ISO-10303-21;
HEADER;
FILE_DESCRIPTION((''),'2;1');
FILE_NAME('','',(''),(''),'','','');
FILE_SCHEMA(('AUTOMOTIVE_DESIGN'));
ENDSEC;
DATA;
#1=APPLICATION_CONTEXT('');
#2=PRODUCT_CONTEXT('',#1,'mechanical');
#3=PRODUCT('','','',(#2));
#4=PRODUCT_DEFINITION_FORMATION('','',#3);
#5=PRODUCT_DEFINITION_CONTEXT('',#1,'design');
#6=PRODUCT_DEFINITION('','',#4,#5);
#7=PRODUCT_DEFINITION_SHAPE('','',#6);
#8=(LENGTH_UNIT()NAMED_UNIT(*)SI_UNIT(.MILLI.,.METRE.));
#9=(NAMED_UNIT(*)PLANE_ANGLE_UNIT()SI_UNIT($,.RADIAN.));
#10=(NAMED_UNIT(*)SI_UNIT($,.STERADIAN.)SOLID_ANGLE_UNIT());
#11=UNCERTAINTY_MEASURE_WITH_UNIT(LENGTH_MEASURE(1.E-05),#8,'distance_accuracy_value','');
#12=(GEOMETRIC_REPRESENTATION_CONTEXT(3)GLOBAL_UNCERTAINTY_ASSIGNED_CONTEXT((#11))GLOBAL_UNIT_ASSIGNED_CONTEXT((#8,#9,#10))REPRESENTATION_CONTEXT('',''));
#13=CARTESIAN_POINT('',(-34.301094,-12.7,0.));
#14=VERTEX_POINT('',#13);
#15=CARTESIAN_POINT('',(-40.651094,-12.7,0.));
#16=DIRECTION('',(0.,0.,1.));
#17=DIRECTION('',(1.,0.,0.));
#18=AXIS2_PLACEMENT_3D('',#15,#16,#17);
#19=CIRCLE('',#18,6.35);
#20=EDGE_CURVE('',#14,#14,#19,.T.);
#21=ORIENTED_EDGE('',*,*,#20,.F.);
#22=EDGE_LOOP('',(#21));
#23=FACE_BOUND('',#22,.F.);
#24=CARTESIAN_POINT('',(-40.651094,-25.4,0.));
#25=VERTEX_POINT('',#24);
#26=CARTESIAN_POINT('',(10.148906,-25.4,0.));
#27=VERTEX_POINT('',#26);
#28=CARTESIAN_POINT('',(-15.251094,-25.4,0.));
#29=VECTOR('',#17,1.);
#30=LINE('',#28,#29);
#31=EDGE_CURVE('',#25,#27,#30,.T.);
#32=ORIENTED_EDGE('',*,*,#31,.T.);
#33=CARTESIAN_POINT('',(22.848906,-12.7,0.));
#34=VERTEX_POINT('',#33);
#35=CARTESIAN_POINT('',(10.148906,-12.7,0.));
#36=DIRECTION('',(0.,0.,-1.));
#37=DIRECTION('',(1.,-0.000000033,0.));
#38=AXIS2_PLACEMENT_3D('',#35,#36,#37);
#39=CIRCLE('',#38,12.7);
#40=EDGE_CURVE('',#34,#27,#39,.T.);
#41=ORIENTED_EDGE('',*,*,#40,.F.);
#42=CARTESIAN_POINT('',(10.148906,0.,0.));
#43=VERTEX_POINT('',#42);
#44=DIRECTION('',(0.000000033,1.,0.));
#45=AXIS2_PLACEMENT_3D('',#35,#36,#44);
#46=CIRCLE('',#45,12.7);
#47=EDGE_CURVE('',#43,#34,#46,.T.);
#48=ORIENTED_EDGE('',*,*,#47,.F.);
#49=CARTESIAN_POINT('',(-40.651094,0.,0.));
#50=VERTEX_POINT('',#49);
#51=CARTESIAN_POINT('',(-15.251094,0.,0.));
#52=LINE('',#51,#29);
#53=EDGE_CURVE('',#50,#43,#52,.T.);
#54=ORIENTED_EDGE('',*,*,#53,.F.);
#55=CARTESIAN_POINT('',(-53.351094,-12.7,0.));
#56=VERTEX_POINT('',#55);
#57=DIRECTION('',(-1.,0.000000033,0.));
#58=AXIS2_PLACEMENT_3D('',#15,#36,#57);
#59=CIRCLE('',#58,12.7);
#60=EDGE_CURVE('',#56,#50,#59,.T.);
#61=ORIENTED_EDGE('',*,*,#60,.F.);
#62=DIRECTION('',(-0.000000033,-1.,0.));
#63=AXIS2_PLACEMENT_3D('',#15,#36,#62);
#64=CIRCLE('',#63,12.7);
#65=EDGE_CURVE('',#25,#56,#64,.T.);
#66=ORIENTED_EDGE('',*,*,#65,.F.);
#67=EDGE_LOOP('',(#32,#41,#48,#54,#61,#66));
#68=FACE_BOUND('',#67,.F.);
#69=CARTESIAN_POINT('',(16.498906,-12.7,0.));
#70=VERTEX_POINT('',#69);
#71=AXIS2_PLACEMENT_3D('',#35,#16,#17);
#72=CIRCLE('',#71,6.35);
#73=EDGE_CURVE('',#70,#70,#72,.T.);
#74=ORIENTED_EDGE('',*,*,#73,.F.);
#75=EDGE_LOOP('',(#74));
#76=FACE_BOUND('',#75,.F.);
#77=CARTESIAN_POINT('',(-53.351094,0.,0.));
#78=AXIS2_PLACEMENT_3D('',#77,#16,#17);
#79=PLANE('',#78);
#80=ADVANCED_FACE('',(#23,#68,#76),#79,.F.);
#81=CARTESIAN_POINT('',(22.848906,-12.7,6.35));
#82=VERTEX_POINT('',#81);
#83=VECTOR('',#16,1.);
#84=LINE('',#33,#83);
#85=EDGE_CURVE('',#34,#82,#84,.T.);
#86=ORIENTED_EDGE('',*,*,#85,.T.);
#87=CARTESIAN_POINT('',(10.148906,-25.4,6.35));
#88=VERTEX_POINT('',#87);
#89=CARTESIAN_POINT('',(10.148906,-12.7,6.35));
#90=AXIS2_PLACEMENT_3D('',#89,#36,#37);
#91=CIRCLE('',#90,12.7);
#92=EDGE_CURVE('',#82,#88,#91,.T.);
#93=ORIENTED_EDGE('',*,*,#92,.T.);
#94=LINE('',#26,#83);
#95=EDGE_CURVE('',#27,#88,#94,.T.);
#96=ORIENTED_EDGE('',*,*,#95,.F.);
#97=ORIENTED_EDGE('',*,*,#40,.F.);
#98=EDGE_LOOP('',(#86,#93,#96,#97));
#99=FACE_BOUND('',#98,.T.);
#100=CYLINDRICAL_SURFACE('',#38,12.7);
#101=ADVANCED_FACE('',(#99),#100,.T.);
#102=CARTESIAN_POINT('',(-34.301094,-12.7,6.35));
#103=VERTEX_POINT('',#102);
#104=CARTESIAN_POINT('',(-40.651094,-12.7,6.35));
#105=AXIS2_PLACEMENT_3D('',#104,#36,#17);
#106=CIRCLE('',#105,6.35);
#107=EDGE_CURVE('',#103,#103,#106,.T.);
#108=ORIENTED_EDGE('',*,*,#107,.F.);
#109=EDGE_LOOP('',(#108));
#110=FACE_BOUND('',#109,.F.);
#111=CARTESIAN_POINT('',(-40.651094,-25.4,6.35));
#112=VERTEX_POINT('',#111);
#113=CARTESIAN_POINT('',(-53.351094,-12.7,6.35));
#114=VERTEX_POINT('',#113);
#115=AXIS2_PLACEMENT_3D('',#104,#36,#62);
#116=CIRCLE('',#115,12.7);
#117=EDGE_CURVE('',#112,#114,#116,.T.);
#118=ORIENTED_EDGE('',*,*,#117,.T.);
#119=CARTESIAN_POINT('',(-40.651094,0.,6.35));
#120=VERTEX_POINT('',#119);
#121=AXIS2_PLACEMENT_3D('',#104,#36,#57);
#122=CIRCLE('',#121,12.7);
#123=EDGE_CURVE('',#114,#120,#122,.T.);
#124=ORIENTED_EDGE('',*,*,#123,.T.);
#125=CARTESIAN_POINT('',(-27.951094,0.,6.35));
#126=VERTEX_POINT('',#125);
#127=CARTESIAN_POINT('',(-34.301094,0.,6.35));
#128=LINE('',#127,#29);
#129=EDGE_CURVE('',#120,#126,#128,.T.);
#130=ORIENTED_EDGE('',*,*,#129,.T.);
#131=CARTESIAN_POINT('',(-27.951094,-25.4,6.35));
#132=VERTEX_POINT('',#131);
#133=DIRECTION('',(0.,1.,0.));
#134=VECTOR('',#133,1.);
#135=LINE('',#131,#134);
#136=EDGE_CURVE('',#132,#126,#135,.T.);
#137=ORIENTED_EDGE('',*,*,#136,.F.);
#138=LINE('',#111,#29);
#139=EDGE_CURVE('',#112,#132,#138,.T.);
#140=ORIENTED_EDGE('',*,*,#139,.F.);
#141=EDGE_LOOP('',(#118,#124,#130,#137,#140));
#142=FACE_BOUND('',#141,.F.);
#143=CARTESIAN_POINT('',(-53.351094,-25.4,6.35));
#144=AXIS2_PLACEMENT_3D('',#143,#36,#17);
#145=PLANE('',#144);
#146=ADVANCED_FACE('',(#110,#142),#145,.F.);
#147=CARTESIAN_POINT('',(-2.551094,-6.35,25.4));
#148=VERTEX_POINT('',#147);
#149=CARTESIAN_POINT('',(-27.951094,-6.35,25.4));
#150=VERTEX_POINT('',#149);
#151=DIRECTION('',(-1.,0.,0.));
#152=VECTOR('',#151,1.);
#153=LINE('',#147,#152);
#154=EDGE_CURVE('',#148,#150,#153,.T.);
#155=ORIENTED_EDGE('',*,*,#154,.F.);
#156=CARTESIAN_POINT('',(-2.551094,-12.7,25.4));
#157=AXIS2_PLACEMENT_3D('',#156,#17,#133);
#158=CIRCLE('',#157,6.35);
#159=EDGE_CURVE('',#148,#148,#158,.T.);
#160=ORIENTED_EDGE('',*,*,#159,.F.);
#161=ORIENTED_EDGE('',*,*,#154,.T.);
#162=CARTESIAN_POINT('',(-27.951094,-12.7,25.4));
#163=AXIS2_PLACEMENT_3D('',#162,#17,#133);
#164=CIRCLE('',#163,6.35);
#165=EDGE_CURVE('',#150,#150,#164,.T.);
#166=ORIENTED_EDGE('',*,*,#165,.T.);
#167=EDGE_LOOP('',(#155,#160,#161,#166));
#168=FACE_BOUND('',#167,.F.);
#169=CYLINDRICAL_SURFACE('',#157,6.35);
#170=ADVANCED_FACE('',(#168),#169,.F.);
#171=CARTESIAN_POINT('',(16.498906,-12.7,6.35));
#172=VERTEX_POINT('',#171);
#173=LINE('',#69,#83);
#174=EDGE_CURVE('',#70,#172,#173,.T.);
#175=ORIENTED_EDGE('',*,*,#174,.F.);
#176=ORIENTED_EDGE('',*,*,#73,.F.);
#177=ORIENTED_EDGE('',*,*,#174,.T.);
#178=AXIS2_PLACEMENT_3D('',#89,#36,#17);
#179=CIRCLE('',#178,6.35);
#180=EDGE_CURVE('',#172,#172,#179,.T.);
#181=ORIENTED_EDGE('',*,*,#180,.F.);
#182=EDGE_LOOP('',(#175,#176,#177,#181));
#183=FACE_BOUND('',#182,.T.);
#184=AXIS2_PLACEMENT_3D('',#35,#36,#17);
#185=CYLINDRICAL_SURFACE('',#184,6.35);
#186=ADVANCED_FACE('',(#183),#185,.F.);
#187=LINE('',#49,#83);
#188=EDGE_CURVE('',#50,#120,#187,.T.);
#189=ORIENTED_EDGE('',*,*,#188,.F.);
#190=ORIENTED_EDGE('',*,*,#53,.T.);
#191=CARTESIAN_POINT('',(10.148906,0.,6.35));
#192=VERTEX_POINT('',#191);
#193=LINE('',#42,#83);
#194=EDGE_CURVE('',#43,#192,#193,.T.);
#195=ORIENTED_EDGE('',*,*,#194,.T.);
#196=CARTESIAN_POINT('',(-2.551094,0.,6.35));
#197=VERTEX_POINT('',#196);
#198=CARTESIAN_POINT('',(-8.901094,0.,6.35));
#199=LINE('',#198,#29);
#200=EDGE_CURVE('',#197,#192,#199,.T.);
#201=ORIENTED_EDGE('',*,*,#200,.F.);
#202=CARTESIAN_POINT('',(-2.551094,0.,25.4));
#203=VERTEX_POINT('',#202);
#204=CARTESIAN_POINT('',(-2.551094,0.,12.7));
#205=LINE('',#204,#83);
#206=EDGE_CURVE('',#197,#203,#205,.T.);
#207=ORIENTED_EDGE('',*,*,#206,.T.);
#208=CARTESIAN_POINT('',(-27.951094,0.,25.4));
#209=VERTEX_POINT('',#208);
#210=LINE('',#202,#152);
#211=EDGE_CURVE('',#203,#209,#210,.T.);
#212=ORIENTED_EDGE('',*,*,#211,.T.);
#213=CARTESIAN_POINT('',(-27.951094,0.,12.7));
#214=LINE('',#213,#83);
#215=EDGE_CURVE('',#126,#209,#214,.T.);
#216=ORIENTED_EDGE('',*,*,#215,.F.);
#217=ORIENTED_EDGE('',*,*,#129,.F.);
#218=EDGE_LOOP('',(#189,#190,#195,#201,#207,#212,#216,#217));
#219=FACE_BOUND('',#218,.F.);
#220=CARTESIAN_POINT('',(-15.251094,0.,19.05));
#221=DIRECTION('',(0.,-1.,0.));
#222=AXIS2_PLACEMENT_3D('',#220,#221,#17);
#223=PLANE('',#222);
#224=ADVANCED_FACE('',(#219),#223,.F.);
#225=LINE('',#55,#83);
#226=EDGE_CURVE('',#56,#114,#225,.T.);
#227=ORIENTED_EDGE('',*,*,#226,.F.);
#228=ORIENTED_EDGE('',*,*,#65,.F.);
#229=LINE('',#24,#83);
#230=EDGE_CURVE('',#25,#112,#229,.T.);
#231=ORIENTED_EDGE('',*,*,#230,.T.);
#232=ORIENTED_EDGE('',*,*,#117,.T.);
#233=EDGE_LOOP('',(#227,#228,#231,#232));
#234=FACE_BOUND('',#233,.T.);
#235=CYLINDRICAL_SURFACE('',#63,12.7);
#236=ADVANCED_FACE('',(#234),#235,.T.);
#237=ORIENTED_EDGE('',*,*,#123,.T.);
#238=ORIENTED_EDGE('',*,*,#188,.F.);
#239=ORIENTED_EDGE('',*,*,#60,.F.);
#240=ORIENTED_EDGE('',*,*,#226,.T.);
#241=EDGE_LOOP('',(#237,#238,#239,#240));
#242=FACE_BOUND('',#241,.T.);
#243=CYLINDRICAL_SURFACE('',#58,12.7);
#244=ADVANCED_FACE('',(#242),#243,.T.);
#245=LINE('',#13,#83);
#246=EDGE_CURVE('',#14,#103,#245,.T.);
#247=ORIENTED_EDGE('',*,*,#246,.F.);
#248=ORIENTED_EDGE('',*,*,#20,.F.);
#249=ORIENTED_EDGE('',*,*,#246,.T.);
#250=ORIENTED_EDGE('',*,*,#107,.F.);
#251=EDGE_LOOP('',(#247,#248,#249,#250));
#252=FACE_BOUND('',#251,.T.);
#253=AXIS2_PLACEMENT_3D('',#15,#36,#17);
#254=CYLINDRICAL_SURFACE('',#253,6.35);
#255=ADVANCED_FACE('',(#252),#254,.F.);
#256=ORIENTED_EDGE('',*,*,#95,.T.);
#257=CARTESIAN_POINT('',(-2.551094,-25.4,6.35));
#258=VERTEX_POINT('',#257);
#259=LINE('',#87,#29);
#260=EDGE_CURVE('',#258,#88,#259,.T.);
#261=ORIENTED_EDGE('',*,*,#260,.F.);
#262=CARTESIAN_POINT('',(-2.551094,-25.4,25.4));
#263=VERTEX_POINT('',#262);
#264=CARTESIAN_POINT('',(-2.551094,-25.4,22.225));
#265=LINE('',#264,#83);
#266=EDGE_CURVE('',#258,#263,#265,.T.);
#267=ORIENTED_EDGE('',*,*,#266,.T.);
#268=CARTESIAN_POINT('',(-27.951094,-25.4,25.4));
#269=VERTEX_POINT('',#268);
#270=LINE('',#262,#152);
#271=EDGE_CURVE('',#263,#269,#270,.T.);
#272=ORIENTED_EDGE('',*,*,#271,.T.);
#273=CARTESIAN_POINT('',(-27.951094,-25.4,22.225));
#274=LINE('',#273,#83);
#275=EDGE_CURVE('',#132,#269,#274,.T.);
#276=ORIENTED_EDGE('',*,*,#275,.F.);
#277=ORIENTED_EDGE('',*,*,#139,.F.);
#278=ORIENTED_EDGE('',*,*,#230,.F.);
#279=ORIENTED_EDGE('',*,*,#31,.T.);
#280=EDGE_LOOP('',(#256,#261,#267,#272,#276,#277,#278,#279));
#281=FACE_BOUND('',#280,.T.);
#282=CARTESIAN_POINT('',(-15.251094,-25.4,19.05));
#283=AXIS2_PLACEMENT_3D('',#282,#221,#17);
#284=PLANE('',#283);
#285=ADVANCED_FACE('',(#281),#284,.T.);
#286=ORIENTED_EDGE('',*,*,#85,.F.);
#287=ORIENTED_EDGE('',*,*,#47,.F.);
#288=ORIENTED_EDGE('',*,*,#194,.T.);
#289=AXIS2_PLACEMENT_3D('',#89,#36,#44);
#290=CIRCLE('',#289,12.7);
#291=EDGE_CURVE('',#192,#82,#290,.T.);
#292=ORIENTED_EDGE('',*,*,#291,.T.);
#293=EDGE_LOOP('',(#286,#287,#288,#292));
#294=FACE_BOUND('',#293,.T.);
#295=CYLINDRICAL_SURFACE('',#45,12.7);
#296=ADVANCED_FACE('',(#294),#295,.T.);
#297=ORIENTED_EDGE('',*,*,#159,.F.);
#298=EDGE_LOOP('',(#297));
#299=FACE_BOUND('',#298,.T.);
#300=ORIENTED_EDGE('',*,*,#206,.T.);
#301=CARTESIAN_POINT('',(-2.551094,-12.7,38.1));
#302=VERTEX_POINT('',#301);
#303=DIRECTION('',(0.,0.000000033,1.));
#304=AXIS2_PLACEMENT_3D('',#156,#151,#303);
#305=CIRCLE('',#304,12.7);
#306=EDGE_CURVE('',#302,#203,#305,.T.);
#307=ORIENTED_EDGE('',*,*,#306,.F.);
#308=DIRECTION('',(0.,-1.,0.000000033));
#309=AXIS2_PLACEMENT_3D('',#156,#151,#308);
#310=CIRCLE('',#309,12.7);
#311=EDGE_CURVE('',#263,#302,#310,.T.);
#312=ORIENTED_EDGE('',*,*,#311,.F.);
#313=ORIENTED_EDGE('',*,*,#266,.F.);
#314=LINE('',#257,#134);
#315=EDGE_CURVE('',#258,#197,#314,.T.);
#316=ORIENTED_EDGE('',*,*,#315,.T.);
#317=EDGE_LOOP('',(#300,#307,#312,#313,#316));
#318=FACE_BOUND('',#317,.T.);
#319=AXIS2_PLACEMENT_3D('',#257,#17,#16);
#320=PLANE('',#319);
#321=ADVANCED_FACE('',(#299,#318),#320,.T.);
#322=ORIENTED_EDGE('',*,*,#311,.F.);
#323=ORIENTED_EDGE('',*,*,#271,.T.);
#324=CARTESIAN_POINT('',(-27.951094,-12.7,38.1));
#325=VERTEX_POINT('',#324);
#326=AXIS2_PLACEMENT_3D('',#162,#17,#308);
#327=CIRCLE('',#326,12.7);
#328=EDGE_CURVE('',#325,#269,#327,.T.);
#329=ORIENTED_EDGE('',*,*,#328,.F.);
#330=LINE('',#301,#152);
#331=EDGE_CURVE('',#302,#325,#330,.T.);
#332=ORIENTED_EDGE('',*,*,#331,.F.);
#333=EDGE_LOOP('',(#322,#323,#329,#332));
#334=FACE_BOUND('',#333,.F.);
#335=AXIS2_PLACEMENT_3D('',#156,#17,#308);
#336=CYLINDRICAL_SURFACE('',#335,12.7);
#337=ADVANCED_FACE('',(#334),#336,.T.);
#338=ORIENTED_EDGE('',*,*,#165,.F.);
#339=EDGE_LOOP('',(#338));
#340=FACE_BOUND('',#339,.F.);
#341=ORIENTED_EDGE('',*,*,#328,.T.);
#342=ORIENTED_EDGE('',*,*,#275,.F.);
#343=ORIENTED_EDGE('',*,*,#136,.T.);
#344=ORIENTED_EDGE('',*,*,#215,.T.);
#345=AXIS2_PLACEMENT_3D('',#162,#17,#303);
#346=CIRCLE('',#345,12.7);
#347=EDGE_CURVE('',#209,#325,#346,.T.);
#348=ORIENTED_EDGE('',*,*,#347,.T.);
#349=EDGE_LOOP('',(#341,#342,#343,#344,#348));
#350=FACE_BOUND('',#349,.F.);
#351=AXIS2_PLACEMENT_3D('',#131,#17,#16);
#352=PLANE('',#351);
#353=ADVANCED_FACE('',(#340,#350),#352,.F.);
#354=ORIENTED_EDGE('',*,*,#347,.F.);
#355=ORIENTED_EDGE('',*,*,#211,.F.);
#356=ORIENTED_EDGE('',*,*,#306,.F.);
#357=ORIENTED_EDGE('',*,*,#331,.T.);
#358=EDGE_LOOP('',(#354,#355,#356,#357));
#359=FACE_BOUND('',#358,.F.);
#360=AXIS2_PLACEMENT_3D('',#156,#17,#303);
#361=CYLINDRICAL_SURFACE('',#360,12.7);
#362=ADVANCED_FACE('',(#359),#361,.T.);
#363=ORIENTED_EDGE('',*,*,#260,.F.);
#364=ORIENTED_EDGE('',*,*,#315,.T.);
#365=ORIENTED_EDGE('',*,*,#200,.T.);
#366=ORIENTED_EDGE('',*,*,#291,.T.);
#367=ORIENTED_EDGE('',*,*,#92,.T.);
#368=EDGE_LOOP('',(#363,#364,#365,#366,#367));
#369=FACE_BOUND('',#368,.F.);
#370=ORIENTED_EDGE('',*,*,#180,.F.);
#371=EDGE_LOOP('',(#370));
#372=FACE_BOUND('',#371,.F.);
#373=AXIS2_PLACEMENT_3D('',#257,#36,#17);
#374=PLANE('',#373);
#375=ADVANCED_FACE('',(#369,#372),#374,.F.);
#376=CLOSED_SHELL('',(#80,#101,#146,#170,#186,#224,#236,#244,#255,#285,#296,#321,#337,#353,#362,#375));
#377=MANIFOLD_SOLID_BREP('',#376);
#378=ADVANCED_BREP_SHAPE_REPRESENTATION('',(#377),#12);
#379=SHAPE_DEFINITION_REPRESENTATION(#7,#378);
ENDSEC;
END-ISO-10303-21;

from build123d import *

# Parameters (mm, degrees)
F0_W     = 76.2
F0_H     = 38.1
F1_DEPTH = 25.4
F2_W     = 25.4
F2_H     = 31.75
F3_DEPTH = 31.75
F4_R     = 6.35
F5_DEPTH = 25.4
F6_R     = 6.35
F7_DEPTH = 31.75


with BuildPart() as f1:
    # F0 (on Front) → F1 (new body)
    with BuildSketch(Plane.XZ):
        with Locations((-15.251094, 19.05)):
            Rectangle(F0_W, F0_H)
    extrude(amount=F1_DEPTH)

    # F2 (on face) → F3 (cut)
    with BuildSketch(Plane.XZ.offset(25.4)):
        with Locations((-40.651094, 22.225)):
            Rectangle(F2_W, F2_H)
        with Locations((10.148906, 22.225)):
            Rectangle(F2_W, F2_H)
    extrude(amount=-F3_DEPTH, mode=Mode.SUBTRACT)

    # F4 (on Top) → F5 (cut)
    with BuildSketch(Plane.XY):
        with Locations((10.148906, -12.7)):
            Circle(F4_R)
        with Locations((-40.651094, -12.7)):
            Circle(F4_R)
        with BuildLine():
            ThreePointArc((-40.651094, -25.4), (-49.63135, -21.680256), (-53.351094, -12.7))
            Line((-53.351094, -12.7), (-53.351094, -25.535107))
            Line((-53.351094, -25.535107), (-40.651094, -25.4))
        make_face()
        with BuildLine():
            ThreePointArc((-53.351094, -12.7), (-49.63135, -3.719744), (-40.651094, 0))
            Line((-40.651094, 0), (-53.351094, 0))
            Line((-53.351094, 0), (-53.351094, -12.7))
        make_face()
        with BuildLine():
            Line((22.848906, -25.4), (22.848906, -12.7))
            ThreePointArc((22.848906, -12.7), (19.129162, -21.680256), (10.148906, -25.4))
            Line((10.148906, -25.4), (22.848906, -25.4))
        make_face()
        with BuildLine():
            ThreePointArc((10.148906, 0), (19.129162, -3.719744), (22.848906, -12.7))
            Line((22.848906, -12.7), (22.848906, 0))
            Line((22.848906, 0), (10.148906, 0))
        make_face()
    extrude(amount=F5_DEPTH, mode=Mode.SUBTRACT)

    # F6 (on face) → F7 (cut)
    with BuildSketch(Plane.YZ.offset(-2.551094)):
        with Locations((-12.7, 25.4)):
            Circle(F6_R)
        with BuildLine():
            Line((0, 38.1), (-12.7, 38.1))
            ThreePointArc((-12.7, 38.1), (-3.719744, 34.380256), (0, 25.4))
            Line((0, 25.4), (0, 38.1))
        make_face()
        with BuildLine():
            ThreePointArc((-25.4, 25.4), (-21.680256, 34.380256), (-12.7, 38.1))
            Line((-12.7, 38.1), (-25.4, 38.1))
            Line((-25.4, 38.1), (-25.4, 25.4))
        make_face()
    extrude(amount=-F7_DEPTH, mode=Mode.SUBTRACT)


solid = f1.part
